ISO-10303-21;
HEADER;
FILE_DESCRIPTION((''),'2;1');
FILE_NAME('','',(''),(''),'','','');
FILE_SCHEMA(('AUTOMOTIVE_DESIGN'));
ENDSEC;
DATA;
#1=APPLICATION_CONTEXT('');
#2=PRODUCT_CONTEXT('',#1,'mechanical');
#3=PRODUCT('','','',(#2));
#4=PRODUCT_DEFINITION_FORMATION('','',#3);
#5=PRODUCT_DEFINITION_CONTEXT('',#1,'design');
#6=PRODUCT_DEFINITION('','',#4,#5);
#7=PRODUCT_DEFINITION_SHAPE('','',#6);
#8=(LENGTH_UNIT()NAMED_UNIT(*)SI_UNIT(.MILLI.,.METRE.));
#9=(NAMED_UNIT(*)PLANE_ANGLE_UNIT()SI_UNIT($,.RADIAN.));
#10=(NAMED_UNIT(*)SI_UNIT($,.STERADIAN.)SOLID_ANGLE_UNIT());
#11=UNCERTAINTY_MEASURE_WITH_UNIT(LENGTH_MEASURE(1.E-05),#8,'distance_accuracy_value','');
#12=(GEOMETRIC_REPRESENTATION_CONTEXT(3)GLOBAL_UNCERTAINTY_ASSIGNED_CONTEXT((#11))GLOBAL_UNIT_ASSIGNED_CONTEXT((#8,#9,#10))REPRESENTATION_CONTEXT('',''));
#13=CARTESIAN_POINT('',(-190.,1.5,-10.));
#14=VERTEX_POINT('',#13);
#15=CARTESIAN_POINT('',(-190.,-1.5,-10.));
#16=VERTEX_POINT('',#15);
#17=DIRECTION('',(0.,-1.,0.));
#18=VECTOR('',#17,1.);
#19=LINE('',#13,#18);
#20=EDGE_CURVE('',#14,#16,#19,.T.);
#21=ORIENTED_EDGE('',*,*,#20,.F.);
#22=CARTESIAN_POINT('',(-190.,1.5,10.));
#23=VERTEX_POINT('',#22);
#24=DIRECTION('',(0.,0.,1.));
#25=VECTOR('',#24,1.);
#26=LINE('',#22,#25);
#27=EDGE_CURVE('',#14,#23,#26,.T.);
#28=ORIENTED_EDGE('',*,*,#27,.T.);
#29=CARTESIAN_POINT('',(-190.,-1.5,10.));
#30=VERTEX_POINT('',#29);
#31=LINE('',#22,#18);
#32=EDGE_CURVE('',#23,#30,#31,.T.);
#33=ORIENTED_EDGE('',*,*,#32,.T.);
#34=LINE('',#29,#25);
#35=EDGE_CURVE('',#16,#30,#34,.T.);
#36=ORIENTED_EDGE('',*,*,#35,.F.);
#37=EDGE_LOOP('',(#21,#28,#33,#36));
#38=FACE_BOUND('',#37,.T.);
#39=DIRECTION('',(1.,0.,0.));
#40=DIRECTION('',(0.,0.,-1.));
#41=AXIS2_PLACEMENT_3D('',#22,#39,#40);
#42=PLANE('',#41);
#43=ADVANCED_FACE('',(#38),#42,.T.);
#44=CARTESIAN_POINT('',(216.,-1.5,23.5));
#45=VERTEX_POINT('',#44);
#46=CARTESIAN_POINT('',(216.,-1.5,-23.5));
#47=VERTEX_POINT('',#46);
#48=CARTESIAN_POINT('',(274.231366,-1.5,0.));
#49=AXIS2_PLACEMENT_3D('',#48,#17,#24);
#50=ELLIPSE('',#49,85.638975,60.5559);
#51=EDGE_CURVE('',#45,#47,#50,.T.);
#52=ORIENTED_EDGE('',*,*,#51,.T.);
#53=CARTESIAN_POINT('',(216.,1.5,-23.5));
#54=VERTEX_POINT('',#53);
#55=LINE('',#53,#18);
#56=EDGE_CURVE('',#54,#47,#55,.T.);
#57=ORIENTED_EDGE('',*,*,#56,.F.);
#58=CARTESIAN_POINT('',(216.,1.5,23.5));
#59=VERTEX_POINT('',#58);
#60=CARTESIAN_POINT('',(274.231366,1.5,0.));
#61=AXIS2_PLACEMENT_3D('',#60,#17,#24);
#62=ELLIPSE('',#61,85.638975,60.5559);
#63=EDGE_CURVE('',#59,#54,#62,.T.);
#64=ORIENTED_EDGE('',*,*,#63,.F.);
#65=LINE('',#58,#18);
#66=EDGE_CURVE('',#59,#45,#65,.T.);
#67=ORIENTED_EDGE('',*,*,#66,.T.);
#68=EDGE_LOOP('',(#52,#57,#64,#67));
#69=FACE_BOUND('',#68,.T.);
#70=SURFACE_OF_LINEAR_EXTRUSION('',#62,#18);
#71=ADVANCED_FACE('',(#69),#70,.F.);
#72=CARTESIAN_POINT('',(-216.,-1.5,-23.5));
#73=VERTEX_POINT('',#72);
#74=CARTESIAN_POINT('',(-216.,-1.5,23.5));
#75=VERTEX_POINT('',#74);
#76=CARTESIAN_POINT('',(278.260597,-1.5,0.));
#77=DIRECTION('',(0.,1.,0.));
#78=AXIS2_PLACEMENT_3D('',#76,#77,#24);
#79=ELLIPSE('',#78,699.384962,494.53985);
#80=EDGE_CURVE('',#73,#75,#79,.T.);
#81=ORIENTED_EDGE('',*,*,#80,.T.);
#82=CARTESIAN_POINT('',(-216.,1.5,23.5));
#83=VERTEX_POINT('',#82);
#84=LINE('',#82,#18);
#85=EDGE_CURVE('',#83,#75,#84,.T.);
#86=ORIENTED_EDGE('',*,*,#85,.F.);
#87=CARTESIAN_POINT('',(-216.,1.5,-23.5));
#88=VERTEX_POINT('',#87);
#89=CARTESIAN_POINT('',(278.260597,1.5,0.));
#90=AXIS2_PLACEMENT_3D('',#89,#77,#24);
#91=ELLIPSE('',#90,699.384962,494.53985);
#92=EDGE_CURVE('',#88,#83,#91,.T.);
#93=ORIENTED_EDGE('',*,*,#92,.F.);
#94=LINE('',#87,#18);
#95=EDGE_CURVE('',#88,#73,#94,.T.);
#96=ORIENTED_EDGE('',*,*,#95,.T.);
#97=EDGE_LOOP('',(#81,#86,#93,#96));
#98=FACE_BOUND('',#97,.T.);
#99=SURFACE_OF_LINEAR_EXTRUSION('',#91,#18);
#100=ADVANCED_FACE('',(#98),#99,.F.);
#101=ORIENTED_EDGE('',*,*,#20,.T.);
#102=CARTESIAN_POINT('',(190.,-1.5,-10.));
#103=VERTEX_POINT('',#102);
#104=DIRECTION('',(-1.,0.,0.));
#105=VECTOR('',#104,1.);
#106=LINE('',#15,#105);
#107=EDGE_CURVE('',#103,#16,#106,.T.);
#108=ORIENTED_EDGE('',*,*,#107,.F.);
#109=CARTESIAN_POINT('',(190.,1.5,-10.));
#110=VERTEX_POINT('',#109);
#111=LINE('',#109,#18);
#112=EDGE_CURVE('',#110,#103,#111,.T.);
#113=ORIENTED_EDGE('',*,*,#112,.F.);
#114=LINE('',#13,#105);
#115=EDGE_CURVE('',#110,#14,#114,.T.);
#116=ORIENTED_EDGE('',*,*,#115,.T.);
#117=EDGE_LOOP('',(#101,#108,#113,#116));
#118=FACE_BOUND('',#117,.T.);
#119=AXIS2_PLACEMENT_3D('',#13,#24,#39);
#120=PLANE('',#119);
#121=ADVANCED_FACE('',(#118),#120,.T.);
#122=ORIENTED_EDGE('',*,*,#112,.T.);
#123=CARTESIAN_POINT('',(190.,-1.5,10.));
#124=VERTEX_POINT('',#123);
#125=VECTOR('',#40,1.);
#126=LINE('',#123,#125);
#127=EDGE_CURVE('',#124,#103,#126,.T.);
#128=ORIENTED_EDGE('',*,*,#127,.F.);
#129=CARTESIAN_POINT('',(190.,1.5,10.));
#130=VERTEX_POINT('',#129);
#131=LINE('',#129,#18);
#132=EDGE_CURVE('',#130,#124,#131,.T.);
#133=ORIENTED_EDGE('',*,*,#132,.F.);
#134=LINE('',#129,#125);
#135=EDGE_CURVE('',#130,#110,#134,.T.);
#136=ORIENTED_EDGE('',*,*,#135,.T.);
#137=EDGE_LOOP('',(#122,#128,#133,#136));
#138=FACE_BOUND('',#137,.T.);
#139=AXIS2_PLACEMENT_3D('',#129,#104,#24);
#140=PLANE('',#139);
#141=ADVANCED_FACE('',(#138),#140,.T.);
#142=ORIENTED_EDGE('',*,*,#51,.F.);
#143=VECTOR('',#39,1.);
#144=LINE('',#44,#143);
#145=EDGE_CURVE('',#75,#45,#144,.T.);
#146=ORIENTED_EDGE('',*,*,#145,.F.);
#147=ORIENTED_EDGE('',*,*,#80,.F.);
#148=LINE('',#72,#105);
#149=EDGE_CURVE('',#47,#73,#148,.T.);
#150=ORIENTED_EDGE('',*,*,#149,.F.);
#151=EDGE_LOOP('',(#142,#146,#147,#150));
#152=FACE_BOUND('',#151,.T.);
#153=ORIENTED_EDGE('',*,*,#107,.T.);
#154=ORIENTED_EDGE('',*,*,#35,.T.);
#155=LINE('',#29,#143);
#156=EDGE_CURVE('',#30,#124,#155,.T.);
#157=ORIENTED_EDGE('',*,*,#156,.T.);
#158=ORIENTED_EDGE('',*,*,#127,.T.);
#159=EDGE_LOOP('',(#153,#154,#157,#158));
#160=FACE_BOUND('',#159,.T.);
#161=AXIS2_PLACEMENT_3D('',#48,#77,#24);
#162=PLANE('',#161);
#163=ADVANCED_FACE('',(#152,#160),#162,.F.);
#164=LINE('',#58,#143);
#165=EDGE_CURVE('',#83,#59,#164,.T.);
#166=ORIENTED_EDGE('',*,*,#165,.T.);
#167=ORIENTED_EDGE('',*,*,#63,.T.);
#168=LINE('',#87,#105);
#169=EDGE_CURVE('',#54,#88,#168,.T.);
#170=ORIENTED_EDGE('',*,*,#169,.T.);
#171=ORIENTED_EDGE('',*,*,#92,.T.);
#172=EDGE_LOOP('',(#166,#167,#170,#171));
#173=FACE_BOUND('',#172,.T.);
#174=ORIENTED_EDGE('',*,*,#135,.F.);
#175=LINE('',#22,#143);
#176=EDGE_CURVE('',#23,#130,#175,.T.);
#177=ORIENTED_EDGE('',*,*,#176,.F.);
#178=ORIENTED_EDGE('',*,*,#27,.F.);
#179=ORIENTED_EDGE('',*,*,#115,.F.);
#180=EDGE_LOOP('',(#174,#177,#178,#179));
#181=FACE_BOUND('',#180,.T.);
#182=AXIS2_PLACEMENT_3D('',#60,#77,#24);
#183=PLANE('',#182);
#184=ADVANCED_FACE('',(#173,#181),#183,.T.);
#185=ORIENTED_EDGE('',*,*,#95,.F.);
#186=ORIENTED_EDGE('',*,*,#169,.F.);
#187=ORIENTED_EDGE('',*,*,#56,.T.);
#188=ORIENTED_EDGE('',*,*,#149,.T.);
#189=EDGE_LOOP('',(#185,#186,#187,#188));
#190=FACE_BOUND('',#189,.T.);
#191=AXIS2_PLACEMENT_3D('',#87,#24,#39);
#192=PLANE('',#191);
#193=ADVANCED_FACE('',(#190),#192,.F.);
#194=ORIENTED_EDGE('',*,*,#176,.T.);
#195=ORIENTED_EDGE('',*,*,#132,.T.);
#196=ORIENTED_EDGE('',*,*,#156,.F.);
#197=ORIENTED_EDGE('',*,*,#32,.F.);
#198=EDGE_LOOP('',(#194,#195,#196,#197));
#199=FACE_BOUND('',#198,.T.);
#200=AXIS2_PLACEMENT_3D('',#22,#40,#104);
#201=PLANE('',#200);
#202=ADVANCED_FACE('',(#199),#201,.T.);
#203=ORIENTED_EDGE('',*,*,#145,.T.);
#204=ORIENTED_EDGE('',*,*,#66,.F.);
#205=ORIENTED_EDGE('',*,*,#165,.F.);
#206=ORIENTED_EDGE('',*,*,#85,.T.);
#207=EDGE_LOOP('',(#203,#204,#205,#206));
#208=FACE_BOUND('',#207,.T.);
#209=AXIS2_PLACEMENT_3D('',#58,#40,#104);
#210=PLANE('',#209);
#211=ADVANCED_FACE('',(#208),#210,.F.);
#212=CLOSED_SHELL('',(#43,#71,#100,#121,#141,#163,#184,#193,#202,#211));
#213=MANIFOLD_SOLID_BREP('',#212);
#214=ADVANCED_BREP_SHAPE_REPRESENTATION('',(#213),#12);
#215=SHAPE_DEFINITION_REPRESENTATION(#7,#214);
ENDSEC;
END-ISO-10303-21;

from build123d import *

# Parameters (mm, degrees)
SKETCH1_W           = 380
SKETCH1_H           = 20
BOSS_EXTRUDE1_DEPTH = 1.5


with BuildPart() as part:
    # Sketch1 → Boss-Extrude1 (new, symmetric)
    with BuildSketch(Plane(origin=(0, 0, 0), x_dir=(1, 0, 0), z_dir=(0, 1, 0))):
        with BuildLine():
            Line((216, -23.5), (-216, -23.5))
            add(Edge.make_bspline(
                [(-216, 23.5), (-216.558662782, 0), (-216, -23.5)],
                knots=[4.678781703, 4.678781703, 4.678781703, 4.745996258, 4.745996258, 4.745996258], degree=2, weights=[1, 0.999435329, 1]))
            Line((-216, 23.5), (216, 23.5))
            add(Edge.make_bspline(
                [(216, 23.5), (211.258139768, 0), (216, -23.5)],
                knots=[4.434415205, 4.434415205, 4.434415205, 4.990362756, 4.990362756, 4.990362756], degree=2, weights=[1, 0.961613424, 1]))
        make_face()
        Rectangle(SKETCH1_W, SKETCH1_H, mode=Mode.SUBTRACT)
    extrude(amount=BOSS_EXTRUDE1_DEPTH, both=True)


solid = part.part
